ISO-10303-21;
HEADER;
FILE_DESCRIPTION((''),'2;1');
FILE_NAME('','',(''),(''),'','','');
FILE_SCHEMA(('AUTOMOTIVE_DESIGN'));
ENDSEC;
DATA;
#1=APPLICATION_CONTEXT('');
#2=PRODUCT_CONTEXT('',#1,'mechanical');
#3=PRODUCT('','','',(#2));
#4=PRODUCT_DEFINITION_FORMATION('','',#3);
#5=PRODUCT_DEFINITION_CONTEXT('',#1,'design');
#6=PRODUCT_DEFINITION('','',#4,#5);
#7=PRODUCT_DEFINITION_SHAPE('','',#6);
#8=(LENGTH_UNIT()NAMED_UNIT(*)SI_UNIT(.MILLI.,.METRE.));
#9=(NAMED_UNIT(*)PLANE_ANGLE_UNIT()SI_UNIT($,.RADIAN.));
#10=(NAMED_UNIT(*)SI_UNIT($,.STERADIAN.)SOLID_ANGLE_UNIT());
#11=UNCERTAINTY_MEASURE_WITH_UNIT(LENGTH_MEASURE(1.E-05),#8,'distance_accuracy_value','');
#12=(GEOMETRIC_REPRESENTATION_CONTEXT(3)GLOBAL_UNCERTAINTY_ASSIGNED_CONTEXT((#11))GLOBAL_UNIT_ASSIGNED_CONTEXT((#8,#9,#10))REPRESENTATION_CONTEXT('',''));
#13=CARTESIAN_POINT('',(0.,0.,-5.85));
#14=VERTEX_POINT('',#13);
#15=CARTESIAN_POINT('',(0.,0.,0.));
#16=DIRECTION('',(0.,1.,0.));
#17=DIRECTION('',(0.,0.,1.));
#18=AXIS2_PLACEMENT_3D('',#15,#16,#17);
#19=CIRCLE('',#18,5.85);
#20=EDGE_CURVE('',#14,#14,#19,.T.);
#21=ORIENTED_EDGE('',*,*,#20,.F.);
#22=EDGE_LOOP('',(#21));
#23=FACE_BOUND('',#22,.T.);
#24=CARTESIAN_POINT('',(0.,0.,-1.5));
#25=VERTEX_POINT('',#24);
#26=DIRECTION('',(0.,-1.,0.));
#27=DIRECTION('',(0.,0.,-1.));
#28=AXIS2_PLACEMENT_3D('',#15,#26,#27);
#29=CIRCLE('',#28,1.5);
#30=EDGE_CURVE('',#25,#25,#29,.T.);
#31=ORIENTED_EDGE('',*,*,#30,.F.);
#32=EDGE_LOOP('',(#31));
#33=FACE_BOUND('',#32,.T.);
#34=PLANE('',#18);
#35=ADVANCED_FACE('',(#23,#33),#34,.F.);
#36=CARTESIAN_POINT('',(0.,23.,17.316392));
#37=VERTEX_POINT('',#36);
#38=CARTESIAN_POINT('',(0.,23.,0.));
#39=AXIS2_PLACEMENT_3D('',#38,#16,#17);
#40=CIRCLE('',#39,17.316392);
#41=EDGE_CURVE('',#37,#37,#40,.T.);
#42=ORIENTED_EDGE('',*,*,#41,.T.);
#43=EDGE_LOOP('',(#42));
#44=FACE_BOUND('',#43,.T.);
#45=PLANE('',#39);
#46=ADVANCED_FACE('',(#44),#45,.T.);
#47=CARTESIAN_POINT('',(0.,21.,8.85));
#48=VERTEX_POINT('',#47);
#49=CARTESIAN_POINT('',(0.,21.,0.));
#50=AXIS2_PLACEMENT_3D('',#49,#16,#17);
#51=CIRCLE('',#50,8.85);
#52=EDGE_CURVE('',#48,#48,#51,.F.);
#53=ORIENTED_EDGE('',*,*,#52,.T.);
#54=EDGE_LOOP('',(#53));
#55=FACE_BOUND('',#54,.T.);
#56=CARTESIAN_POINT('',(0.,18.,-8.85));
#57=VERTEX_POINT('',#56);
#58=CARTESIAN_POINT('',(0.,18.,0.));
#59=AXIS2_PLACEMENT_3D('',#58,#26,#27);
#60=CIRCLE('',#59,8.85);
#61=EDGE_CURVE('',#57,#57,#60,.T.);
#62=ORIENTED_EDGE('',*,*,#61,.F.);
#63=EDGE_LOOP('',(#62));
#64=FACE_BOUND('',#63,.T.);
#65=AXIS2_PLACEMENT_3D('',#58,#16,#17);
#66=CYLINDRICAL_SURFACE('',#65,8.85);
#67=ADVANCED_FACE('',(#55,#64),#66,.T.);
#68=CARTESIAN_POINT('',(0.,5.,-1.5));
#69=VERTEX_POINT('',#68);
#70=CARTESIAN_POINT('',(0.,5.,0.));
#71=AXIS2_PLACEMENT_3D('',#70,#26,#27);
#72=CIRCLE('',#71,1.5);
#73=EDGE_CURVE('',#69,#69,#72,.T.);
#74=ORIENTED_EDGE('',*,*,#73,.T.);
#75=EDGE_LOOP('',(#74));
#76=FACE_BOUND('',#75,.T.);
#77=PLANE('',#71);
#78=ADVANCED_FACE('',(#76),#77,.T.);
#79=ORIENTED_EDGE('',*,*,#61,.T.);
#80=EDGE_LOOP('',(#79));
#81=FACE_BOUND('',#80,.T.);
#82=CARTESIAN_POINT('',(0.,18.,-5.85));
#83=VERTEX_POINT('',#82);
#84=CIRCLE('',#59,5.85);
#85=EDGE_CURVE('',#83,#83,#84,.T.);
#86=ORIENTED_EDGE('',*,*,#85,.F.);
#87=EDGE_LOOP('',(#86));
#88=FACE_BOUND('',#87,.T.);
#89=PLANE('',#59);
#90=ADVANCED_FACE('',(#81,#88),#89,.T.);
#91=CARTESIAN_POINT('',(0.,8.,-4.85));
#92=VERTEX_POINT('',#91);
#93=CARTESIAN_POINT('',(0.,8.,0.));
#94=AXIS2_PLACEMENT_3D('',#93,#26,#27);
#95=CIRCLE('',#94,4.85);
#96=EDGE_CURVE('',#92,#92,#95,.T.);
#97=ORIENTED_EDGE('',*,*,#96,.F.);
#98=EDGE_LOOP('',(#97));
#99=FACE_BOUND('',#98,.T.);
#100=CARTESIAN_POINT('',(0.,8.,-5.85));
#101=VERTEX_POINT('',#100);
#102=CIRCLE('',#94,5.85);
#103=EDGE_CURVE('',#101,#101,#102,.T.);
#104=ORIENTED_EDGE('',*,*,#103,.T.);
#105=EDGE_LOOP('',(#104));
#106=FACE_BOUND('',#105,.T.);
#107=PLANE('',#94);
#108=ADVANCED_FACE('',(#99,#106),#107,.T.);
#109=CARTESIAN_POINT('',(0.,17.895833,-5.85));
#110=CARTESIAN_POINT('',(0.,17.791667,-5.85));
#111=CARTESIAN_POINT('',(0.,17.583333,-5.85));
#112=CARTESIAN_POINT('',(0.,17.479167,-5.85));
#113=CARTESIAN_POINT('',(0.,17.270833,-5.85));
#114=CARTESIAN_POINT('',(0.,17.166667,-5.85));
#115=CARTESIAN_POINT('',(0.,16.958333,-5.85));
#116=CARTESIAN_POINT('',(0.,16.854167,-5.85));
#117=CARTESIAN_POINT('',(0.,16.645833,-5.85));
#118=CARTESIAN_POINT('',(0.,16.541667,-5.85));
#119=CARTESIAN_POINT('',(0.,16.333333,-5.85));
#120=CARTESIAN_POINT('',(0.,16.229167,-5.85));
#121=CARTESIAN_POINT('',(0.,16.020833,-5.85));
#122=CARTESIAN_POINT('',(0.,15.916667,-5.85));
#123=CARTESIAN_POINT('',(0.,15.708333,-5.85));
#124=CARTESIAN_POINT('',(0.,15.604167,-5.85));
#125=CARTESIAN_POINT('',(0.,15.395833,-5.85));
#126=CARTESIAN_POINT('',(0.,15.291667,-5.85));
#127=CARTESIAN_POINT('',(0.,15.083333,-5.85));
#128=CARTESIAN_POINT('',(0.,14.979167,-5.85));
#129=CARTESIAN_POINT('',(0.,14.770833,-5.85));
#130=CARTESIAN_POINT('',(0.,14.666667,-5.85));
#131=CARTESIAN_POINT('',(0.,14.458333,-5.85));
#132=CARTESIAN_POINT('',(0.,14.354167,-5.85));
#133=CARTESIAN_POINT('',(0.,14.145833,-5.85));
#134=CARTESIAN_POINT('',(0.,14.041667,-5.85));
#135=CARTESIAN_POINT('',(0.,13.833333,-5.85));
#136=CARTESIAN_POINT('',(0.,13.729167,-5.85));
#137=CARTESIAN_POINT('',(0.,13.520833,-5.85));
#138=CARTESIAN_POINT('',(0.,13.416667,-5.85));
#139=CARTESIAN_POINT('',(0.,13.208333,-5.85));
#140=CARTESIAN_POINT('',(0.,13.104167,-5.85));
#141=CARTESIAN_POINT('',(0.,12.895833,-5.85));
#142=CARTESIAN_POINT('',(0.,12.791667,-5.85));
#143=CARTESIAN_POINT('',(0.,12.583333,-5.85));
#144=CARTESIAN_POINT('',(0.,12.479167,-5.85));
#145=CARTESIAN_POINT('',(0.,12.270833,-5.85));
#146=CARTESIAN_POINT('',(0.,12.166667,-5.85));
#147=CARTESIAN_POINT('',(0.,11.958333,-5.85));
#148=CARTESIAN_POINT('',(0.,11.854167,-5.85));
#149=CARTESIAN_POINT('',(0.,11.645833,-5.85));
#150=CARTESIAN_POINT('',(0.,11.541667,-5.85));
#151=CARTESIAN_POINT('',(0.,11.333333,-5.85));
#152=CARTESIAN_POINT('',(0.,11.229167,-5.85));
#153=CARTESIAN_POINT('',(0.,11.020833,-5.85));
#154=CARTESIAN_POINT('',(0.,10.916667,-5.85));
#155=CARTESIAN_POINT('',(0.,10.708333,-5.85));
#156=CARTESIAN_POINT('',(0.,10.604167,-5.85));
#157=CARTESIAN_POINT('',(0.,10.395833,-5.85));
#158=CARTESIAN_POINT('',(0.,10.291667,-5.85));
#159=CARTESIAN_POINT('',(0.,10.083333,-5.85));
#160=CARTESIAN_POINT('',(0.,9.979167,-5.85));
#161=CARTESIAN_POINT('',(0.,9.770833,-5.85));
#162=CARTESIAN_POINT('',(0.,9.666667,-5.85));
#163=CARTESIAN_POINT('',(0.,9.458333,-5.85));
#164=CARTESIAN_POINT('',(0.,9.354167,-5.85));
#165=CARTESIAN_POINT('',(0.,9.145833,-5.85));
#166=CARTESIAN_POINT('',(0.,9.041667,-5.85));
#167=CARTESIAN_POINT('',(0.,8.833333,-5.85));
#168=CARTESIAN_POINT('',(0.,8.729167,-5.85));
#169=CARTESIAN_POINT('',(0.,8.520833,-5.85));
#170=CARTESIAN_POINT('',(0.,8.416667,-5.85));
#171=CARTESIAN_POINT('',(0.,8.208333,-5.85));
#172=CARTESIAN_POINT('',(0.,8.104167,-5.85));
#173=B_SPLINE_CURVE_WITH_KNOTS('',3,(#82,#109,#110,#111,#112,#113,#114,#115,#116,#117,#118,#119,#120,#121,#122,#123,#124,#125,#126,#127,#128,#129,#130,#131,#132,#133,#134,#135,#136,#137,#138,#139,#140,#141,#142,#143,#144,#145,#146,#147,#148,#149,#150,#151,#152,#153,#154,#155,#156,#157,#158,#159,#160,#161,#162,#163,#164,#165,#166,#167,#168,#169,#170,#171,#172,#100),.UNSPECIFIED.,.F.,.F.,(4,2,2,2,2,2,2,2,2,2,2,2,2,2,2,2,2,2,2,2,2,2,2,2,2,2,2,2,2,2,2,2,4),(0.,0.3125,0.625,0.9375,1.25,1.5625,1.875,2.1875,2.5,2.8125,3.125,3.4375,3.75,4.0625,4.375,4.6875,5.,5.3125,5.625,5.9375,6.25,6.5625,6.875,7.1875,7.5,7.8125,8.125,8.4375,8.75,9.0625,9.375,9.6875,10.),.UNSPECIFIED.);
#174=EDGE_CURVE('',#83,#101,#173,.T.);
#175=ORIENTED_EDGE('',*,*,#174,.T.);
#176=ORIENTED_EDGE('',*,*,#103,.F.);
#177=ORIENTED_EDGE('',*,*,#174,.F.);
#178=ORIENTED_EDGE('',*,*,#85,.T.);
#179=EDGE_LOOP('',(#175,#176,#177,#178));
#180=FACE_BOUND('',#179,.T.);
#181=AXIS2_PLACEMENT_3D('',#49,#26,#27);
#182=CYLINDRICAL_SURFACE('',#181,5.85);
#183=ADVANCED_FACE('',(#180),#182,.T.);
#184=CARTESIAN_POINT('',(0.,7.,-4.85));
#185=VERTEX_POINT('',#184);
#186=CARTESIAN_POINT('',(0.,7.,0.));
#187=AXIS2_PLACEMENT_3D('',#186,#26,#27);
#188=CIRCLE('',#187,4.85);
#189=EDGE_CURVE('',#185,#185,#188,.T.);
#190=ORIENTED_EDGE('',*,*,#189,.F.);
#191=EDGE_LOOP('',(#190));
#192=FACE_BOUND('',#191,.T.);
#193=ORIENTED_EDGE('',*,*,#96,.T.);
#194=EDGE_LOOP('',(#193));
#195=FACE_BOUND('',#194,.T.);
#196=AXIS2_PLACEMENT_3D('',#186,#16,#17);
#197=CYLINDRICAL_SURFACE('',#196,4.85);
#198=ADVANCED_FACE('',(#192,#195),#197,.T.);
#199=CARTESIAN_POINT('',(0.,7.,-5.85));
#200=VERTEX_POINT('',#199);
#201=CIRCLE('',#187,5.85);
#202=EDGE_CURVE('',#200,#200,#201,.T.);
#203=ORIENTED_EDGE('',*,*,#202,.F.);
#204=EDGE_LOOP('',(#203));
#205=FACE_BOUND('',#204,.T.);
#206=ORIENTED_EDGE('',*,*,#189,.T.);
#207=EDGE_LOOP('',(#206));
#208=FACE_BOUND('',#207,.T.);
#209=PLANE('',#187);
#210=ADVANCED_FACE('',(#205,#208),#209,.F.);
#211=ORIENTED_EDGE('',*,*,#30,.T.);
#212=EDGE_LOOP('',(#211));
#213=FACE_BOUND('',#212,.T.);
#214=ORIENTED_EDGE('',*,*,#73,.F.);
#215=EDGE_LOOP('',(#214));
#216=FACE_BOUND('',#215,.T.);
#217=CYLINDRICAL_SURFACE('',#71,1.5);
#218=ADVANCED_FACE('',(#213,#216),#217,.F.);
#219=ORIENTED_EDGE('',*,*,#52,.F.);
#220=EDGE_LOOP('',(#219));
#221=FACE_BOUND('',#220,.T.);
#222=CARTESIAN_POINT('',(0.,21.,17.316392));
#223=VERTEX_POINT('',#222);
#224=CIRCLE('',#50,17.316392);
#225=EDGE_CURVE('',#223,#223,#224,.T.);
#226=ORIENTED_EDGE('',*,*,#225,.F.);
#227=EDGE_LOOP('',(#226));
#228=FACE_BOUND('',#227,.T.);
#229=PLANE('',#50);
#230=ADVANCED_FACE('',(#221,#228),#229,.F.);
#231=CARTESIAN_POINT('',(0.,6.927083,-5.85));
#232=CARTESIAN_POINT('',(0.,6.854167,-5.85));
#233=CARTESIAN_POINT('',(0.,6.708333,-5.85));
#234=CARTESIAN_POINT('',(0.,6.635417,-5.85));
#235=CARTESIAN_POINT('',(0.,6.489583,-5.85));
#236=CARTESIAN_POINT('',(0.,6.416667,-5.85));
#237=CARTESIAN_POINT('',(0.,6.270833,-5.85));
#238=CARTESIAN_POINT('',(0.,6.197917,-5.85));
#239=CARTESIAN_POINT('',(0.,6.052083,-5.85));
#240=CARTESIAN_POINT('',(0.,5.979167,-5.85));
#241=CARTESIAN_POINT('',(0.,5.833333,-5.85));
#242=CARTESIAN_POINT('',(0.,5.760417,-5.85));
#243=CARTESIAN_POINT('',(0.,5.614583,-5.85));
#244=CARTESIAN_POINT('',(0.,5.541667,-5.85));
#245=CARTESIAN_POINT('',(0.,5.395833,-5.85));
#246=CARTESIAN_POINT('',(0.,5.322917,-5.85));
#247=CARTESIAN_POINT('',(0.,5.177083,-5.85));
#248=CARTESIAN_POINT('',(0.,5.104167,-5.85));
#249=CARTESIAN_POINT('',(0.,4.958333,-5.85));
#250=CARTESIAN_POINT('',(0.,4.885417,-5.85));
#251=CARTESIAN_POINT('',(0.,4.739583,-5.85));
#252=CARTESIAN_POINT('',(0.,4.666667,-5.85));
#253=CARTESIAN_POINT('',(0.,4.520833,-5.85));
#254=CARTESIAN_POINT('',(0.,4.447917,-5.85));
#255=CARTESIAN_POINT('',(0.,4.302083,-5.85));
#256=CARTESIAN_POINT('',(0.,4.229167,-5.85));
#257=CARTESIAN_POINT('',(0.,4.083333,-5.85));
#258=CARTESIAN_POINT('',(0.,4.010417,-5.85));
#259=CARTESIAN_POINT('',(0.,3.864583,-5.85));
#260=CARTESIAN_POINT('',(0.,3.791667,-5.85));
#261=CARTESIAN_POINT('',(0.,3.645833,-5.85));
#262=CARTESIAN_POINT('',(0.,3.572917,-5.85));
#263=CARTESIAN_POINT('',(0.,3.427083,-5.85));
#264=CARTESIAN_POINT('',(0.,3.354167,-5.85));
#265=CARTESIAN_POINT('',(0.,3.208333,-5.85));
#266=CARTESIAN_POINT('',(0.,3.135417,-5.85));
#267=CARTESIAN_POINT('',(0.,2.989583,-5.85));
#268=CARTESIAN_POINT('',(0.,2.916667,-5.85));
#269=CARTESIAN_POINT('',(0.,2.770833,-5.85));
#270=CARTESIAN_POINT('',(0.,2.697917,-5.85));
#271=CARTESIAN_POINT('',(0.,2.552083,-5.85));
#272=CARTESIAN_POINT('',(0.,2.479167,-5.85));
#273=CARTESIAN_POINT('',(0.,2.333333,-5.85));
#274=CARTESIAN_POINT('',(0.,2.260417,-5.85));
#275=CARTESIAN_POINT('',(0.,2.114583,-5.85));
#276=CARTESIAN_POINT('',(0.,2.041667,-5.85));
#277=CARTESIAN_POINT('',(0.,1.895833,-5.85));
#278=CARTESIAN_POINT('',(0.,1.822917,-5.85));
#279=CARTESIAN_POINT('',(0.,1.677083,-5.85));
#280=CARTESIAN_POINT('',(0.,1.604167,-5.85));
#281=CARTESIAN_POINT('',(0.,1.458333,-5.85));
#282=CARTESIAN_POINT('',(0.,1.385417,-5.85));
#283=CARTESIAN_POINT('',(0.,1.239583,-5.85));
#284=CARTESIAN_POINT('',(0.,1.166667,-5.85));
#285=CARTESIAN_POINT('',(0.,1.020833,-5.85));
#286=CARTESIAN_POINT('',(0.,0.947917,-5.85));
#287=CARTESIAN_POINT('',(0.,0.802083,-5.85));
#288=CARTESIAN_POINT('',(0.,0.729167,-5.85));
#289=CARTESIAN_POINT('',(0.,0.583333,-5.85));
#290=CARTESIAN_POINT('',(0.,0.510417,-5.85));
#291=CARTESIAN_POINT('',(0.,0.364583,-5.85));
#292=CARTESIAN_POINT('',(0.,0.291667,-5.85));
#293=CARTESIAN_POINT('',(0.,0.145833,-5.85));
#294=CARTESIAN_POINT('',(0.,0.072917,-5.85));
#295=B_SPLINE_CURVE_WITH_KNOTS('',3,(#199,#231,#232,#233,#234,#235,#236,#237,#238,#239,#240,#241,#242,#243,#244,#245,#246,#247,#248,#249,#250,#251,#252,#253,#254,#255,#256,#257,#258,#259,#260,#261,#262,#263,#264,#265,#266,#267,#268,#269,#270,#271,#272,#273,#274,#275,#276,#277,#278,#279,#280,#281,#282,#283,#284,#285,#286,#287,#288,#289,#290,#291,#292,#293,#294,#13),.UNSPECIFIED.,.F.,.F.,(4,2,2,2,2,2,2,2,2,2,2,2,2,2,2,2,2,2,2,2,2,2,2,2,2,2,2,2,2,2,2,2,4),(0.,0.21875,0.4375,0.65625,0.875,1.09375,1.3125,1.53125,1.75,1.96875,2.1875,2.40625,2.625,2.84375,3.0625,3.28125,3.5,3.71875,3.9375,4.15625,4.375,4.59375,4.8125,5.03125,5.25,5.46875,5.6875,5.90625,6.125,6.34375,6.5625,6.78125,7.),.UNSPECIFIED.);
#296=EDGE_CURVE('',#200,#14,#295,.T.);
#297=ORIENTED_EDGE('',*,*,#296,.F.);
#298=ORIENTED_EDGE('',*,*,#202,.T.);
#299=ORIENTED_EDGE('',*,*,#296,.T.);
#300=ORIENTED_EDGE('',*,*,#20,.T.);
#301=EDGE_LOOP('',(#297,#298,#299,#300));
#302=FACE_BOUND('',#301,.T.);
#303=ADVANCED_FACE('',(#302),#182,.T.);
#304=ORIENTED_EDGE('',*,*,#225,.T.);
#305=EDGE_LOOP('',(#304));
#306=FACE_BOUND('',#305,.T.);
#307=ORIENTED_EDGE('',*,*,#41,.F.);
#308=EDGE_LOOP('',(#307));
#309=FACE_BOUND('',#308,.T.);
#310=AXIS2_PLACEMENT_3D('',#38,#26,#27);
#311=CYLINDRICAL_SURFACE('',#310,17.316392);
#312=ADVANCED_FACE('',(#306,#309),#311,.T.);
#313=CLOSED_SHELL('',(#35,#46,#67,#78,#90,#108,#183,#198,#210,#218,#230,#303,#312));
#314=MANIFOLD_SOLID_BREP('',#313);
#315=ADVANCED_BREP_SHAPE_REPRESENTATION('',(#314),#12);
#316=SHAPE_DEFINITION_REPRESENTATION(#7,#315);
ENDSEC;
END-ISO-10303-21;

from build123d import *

# Parameters (mm, degrees)
SKETCH1_R           = 5.85
BOSS_EXTRUDE1_DEPTH = 21
SKETCH2_R           = 17.316392141
BOSS_EXTRUDE2_DEPTH = 2
CUT_EXTRUDE1_START  = 1
SKETCH3_R           = 5.85
SKETCH3_R_2         = 4.85
CUT_EXTRUDE1_DEPTH  = 1
SKETCH4_R           = 1.5
CUT_EXTRUDE2_DEPTH  = 5
BOSS_EXTRUDE4_START = 3
SKETCH5_R           = 8.85
SKETCH5_R_2         = 5.85
BOSS_EXTRUDE4_DEPTH = 3


with BuildPart() as part:
    # Sketch1 → Boss-Extrude1 (new body)
    with BuildSketch(Plane(origin=(0, 0, 0), x_dir=(1, 0, 0), z_dir=(0, 1, 0))):
        with Locations(Location((0, 0, 0), (0, 0, 90))):
            Circle(SKETCH1_R)
    extrude(amount=BOSS_EXTRUDE1_DEPTH)

    # Sketch2 → Boss-Extrude2 (add)
    with BuildSketch(Plane(origin=(0, 21, 0), x_dir=(1, 0, 0), z_dir=(0, 1, 0))):
        with Locations(Location((0, 0, 0), (0, 0, 270))):
            Circle(SKETCH2_R)
    extrude(amount=BOSS_EXTRUDE2_DEPTH)

    # Sketch3 → Cut-Extrude1 (cut)
    with BuildSketch(Plane(origin=(0, 8, 0), x_dir=(-1, 0, 0), z_dir=(0, -1, 0)).offset(CUT_EXTRUDE1_START)):
        with Locations(Location((0, 0, 0), (0, 0, 90))):
            Circle(SKETCH3_R)
        with Locations(Location((0, 0, 0), (0, 0, 90))):
            Circle(SKETCH3_R_2, mode=Mode.SUBTRACT)
    extrude(amount=-CUT_EXTRUDE1_DEPTH, mode=Mode.SUBTRACT)

    # Sketch4 → Cut-Extrude2 (cut)
    with BuildSketch(Plane.XZ):
        with Locations(Location((0, 0, 0), (0, 0, 270))):
            Circle(SKETCH4_R)
    extrude(amount=-CUT_EXTRUDE2_DEPTH, mode=Mode.SUBTRACT)

    # Sketch5 → Boss-Extrude4 (add)
    with BuildSketch(Plane.XZ.offset(-21).offset(BOSS_EXTRUDE4_START)):
        with Locations(Location((0, 0, 0), (0, 0, 90))):
            Circle(SKETCH5_R)
        with Locations(Location((0, 0, 0), (0, 0, 270))):
            Circle(SKETCH5_R_2, mode=Mode.SUBTRACT)
    extrude(amount=-BOSS_EXTRUDE4_DEPTH)


solid = part.part
